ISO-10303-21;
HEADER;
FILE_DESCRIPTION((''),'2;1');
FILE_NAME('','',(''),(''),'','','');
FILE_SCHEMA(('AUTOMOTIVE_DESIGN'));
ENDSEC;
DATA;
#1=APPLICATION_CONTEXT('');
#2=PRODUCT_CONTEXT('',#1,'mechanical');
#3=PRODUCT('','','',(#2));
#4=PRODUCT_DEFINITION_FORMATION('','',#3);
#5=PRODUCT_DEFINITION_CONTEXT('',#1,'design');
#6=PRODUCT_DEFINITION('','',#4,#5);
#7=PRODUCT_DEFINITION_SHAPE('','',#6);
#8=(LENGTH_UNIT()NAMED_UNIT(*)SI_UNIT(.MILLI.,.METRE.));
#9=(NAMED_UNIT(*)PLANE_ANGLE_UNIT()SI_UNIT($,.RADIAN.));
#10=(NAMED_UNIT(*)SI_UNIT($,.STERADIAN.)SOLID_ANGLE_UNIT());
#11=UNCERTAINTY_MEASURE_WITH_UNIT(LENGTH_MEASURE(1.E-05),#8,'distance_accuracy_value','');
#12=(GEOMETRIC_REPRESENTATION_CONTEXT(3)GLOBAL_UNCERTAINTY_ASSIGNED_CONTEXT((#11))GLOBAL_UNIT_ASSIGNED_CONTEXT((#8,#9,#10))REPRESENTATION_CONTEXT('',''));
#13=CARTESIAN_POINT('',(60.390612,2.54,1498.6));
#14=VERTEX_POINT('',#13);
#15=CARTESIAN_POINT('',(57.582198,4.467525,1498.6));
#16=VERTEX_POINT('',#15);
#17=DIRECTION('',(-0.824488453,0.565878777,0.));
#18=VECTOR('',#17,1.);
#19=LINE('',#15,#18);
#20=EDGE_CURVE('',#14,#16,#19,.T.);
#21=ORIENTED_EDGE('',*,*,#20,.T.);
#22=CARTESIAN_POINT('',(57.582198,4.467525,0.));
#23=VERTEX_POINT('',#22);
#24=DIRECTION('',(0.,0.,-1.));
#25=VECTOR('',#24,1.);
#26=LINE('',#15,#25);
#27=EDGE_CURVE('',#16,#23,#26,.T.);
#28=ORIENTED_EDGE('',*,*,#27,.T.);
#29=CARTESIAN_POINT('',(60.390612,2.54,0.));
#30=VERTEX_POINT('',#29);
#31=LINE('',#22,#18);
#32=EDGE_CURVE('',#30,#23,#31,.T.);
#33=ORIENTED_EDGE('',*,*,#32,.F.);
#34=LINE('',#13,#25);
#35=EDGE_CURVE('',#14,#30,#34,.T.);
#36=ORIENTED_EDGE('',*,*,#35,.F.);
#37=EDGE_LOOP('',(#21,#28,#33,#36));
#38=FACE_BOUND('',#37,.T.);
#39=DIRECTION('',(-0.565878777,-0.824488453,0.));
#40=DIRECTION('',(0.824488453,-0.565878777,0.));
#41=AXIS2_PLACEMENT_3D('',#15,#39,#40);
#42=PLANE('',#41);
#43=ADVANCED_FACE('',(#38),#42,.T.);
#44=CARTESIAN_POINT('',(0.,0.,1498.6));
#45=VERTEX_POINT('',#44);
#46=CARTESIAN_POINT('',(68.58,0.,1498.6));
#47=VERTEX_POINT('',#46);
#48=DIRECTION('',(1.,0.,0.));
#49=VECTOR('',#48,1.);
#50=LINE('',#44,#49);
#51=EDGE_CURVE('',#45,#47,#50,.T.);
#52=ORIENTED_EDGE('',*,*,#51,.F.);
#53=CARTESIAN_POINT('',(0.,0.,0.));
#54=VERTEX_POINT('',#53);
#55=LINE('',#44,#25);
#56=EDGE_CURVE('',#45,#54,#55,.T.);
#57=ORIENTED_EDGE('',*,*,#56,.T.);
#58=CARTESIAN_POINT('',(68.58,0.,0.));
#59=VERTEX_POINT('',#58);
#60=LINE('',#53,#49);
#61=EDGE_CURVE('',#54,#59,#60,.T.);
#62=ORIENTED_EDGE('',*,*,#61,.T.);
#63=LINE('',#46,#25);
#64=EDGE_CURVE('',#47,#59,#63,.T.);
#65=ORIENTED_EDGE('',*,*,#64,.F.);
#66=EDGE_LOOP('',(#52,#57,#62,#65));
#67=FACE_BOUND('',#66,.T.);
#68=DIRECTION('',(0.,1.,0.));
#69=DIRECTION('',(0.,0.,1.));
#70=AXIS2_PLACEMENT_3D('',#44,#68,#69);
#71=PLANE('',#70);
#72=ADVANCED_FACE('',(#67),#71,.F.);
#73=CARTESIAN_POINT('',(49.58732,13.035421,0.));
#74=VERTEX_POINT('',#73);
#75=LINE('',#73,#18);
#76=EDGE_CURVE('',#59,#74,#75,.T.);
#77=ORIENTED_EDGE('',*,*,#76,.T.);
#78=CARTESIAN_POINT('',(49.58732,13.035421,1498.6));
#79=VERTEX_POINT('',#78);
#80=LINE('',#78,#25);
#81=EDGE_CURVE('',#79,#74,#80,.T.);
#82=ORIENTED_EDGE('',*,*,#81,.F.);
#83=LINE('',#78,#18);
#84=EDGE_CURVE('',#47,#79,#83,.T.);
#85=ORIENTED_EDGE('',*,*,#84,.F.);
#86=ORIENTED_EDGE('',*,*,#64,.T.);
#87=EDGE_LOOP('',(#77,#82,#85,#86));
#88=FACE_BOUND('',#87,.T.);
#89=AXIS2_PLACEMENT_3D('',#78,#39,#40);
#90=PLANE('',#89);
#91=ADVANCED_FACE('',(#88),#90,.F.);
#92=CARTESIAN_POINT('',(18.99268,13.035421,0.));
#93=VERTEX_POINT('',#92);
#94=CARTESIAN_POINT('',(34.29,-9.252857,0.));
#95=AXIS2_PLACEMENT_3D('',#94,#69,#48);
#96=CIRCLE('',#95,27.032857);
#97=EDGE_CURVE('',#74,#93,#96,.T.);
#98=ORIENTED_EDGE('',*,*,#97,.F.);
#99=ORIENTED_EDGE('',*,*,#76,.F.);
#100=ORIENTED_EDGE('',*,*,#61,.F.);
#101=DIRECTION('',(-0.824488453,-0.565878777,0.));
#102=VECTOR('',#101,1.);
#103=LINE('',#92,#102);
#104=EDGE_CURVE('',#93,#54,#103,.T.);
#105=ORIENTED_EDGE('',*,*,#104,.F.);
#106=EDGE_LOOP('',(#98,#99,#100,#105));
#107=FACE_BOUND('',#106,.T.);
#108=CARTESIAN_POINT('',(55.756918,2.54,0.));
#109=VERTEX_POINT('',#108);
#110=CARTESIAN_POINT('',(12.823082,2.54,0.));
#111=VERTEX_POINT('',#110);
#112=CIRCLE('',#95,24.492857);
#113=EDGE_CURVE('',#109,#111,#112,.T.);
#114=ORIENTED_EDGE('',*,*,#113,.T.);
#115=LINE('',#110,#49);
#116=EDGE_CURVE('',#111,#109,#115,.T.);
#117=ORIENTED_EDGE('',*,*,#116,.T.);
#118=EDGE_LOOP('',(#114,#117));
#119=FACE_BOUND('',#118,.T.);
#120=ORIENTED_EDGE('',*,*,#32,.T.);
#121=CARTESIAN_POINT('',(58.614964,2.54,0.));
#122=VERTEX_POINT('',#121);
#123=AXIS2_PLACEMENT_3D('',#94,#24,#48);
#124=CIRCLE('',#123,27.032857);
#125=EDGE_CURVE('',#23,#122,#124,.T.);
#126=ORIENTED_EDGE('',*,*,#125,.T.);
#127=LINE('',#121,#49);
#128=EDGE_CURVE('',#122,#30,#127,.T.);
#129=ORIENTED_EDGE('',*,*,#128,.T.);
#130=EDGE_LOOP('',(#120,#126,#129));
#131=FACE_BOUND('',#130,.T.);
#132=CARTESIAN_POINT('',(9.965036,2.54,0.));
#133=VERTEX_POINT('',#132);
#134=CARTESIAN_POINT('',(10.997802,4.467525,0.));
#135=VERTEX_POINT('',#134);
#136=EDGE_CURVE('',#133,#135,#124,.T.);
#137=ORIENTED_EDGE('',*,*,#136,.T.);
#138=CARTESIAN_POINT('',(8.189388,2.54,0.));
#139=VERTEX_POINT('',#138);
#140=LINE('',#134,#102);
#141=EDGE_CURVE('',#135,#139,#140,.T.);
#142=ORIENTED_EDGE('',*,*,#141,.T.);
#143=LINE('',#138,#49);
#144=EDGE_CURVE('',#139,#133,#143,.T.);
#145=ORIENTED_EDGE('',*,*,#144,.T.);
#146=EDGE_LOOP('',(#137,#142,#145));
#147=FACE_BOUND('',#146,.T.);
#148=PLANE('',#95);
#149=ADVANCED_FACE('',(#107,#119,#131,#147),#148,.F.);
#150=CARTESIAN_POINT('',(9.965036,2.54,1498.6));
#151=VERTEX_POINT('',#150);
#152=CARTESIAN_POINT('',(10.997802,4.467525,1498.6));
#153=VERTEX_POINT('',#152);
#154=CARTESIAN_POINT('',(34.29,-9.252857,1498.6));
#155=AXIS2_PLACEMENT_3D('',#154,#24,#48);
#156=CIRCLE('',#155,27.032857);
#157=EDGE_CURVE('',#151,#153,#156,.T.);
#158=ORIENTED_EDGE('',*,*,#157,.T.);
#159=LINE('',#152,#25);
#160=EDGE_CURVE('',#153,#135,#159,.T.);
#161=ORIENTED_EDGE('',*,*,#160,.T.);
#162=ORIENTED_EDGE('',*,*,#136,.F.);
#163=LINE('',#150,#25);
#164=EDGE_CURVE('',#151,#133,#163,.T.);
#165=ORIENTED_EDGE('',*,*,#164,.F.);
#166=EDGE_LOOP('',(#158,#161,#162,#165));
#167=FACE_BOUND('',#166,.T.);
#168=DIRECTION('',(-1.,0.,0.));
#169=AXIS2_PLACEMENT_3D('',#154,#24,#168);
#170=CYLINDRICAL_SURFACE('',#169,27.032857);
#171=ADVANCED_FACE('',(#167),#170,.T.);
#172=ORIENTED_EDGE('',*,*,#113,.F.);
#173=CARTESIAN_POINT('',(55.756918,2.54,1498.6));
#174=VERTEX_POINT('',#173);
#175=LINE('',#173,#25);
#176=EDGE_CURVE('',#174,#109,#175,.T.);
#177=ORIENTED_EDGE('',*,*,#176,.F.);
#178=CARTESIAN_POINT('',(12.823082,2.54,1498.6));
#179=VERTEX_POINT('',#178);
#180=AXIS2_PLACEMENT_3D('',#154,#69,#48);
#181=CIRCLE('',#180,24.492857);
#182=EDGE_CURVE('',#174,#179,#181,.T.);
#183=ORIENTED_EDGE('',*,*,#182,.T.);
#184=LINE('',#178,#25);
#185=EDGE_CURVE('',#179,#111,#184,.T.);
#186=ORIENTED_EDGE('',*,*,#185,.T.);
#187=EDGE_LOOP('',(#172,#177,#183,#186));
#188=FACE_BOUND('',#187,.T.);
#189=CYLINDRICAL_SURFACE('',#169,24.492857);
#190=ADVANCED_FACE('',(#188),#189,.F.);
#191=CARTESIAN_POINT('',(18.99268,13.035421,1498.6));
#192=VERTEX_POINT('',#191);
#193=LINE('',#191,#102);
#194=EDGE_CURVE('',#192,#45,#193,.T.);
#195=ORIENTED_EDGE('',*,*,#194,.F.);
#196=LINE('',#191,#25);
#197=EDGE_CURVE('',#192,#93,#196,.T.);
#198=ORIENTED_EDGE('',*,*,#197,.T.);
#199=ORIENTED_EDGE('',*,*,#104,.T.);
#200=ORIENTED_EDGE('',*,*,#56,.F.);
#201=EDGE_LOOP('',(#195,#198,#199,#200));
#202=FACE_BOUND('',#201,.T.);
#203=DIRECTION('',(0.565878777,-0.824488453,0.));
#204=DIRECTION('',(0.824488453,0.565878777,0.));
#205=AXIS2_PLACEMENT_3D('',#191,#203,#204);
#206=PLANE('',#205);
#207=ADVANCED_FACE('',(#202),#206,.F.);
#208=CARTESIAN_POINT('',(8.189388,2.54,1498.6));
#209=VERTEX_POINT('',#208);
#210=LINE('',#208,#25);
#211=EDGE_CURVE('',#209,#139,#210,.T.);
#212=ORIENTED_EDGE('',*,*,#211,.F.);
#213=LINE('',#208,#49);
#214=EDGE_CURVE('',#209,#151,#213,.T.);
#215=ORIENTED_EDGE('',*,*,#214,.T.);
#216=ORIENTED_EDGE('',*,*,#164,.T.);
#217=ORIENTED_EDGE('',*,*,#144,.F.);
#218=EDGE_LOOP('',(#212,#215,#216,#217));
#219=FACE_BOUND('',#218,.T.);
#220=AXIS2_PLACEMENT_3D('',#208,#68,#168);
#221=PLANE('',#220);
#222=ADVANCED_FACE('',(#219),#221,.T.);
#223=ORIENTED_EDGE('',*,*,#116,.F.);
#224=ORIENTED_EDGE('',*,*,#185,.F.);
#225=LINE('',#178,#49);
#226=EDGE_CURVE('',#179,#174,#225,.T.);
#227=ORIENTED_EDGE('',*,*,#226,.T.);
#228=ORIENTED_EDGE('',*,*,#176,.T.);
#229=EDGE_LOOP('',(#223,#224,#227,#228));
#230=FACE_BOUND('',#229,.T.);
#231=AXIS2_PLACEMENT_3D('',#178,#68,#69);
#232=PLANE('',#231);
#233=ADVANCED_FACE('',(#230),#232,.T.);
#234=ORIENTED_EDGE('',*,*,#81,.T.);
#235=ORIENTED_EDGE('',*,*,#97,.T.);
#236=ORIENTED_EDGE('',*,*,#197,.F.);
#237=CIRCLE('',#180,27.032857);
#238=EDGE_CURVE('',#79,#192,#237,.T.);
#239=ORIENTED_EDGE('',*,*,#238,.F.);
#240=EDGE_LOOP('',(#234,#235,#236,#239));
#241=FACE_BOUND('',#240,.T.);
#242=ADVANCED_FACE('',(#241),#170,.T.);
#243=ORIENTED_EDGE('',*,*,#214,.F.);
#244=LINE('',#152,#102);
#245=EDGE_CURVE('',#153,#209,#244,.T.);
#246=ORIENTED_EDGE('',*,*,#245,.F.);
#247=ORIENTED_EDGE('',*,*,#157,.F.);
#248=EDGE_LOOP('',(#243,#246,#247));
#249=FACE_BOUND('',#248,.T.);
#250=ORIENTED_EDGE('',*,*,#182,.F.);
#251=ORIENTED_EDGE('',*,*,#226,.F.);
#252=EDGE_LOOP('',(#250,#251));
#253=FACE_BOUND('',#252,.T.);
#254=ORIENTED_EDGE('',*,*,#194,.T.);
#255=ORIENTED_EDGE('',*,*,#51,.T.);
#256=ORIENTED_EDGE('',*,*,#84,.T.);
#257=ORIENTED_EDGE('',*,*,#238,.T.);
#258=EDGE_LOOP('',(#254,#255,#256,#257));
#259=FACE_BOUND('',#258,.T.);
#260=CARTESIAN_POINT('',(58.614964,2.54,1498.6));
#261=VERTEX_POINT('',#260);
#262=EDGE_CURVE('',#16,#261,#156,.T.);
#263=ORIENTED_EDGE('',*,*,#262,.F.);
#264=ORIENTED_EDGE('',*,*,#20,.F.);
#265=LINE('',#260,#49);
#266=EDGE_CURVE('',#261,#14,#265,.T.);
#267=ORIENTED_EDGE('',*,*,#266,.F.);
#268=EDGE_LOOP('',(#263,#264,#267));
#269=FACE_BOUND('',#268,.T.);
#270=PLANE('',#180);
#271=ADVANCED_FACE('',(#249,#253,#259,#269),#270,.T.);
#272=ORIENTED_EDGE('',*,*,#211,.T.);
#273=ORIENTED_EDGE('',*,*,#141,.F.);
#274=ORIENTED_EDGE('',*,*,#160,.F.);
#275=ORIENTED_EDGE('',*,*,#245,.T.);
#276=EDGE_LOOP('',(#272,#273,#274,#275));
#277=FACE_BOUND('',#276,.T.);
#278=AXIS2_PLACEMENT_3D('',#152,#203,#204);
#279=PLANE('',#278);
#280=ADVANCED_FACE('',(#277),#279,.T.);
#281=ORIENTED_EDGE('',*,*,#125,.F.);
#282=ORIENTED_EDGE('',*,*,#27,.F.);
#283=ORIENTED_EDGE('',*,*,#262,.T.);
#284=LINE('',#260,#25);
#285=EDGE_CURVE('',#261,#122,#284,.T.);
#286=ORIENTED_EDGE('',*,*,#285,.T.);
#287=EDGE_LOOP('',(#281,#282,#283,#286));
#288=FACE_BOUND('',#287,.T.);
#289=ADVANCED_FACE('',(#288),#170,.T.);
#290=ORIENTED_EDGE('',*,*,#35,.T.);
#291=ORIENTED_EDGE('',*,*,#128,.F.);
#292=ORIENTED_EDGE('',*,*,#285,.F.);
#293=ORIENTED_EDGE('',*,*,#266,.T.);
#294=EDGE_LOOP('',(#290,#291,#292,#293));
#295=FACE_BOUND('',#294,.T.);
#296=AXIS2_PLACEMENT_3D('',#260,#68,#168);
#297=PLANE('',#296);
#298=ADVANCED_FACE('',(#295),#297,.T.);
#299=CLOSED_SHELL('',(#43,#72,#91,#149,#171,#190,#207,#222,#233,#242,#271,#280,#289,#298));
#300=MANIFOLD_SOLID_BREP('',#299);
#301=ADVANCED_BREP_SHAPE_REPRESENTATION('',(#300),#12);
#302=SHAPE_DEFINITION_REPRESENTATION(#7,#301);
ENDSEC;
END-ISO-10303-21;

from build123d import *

# Parameters (mm, degrees)
BOSS_EXTRUDE1_DEPTH = 1498.6


with BuildPart() as part:
    # Sketch2 → Boss-Extrude1 (new body)
    with BuildSketch(Plane.XY):
        with BuildLine():
            Line((0, 0), (68.58, 0))
            Line((68.58, 0), (49.587320143, 13.03542143))
            ThreePointArc((49.587320143, 13.03542143), (34.29, 17.78), (18.992679857, 13.03542143))
            Line((18.992679857, 13.03542143), (0, 0))
        make_face()
        with BuildLine():
            Line((10.997802271, 4.46752515), (8.189387654, 2.54))
            Line((8.189387654, 2.54), (9.965035751, 2.54))
            ThreePointArc((9.965035751, 2.54), (10.461920618, 3.514209799), (10.997802271, 4.46752515))
        make_face(mode=Mode.SUBTRACT)
        with BuildLine():
            Line((57.582197729, 4.46752515), (60.390612346, 2.54))
            Line((60.390612346, 2.54), (58.614964249, 2.54))
            ThreePointArc((58.614964249, 2.54), (58.118079382, 3.514209799), (57.582197729, 4.46752515))
        make_face(mode=Mode.SUBTRACT)
        with BuildLine():
            Line((12.82308193, 2.54), (55.75691807, 2.54))
            ThreePointArc((55.75691807, 2.54), (34.29, 15.24), (12.82308193, 2.54))
        make_face(mode=Mode.SUBTRACT)
    extrude(amount=BOSS_EXTRUDE1_DEPTH)


solid = part.part
